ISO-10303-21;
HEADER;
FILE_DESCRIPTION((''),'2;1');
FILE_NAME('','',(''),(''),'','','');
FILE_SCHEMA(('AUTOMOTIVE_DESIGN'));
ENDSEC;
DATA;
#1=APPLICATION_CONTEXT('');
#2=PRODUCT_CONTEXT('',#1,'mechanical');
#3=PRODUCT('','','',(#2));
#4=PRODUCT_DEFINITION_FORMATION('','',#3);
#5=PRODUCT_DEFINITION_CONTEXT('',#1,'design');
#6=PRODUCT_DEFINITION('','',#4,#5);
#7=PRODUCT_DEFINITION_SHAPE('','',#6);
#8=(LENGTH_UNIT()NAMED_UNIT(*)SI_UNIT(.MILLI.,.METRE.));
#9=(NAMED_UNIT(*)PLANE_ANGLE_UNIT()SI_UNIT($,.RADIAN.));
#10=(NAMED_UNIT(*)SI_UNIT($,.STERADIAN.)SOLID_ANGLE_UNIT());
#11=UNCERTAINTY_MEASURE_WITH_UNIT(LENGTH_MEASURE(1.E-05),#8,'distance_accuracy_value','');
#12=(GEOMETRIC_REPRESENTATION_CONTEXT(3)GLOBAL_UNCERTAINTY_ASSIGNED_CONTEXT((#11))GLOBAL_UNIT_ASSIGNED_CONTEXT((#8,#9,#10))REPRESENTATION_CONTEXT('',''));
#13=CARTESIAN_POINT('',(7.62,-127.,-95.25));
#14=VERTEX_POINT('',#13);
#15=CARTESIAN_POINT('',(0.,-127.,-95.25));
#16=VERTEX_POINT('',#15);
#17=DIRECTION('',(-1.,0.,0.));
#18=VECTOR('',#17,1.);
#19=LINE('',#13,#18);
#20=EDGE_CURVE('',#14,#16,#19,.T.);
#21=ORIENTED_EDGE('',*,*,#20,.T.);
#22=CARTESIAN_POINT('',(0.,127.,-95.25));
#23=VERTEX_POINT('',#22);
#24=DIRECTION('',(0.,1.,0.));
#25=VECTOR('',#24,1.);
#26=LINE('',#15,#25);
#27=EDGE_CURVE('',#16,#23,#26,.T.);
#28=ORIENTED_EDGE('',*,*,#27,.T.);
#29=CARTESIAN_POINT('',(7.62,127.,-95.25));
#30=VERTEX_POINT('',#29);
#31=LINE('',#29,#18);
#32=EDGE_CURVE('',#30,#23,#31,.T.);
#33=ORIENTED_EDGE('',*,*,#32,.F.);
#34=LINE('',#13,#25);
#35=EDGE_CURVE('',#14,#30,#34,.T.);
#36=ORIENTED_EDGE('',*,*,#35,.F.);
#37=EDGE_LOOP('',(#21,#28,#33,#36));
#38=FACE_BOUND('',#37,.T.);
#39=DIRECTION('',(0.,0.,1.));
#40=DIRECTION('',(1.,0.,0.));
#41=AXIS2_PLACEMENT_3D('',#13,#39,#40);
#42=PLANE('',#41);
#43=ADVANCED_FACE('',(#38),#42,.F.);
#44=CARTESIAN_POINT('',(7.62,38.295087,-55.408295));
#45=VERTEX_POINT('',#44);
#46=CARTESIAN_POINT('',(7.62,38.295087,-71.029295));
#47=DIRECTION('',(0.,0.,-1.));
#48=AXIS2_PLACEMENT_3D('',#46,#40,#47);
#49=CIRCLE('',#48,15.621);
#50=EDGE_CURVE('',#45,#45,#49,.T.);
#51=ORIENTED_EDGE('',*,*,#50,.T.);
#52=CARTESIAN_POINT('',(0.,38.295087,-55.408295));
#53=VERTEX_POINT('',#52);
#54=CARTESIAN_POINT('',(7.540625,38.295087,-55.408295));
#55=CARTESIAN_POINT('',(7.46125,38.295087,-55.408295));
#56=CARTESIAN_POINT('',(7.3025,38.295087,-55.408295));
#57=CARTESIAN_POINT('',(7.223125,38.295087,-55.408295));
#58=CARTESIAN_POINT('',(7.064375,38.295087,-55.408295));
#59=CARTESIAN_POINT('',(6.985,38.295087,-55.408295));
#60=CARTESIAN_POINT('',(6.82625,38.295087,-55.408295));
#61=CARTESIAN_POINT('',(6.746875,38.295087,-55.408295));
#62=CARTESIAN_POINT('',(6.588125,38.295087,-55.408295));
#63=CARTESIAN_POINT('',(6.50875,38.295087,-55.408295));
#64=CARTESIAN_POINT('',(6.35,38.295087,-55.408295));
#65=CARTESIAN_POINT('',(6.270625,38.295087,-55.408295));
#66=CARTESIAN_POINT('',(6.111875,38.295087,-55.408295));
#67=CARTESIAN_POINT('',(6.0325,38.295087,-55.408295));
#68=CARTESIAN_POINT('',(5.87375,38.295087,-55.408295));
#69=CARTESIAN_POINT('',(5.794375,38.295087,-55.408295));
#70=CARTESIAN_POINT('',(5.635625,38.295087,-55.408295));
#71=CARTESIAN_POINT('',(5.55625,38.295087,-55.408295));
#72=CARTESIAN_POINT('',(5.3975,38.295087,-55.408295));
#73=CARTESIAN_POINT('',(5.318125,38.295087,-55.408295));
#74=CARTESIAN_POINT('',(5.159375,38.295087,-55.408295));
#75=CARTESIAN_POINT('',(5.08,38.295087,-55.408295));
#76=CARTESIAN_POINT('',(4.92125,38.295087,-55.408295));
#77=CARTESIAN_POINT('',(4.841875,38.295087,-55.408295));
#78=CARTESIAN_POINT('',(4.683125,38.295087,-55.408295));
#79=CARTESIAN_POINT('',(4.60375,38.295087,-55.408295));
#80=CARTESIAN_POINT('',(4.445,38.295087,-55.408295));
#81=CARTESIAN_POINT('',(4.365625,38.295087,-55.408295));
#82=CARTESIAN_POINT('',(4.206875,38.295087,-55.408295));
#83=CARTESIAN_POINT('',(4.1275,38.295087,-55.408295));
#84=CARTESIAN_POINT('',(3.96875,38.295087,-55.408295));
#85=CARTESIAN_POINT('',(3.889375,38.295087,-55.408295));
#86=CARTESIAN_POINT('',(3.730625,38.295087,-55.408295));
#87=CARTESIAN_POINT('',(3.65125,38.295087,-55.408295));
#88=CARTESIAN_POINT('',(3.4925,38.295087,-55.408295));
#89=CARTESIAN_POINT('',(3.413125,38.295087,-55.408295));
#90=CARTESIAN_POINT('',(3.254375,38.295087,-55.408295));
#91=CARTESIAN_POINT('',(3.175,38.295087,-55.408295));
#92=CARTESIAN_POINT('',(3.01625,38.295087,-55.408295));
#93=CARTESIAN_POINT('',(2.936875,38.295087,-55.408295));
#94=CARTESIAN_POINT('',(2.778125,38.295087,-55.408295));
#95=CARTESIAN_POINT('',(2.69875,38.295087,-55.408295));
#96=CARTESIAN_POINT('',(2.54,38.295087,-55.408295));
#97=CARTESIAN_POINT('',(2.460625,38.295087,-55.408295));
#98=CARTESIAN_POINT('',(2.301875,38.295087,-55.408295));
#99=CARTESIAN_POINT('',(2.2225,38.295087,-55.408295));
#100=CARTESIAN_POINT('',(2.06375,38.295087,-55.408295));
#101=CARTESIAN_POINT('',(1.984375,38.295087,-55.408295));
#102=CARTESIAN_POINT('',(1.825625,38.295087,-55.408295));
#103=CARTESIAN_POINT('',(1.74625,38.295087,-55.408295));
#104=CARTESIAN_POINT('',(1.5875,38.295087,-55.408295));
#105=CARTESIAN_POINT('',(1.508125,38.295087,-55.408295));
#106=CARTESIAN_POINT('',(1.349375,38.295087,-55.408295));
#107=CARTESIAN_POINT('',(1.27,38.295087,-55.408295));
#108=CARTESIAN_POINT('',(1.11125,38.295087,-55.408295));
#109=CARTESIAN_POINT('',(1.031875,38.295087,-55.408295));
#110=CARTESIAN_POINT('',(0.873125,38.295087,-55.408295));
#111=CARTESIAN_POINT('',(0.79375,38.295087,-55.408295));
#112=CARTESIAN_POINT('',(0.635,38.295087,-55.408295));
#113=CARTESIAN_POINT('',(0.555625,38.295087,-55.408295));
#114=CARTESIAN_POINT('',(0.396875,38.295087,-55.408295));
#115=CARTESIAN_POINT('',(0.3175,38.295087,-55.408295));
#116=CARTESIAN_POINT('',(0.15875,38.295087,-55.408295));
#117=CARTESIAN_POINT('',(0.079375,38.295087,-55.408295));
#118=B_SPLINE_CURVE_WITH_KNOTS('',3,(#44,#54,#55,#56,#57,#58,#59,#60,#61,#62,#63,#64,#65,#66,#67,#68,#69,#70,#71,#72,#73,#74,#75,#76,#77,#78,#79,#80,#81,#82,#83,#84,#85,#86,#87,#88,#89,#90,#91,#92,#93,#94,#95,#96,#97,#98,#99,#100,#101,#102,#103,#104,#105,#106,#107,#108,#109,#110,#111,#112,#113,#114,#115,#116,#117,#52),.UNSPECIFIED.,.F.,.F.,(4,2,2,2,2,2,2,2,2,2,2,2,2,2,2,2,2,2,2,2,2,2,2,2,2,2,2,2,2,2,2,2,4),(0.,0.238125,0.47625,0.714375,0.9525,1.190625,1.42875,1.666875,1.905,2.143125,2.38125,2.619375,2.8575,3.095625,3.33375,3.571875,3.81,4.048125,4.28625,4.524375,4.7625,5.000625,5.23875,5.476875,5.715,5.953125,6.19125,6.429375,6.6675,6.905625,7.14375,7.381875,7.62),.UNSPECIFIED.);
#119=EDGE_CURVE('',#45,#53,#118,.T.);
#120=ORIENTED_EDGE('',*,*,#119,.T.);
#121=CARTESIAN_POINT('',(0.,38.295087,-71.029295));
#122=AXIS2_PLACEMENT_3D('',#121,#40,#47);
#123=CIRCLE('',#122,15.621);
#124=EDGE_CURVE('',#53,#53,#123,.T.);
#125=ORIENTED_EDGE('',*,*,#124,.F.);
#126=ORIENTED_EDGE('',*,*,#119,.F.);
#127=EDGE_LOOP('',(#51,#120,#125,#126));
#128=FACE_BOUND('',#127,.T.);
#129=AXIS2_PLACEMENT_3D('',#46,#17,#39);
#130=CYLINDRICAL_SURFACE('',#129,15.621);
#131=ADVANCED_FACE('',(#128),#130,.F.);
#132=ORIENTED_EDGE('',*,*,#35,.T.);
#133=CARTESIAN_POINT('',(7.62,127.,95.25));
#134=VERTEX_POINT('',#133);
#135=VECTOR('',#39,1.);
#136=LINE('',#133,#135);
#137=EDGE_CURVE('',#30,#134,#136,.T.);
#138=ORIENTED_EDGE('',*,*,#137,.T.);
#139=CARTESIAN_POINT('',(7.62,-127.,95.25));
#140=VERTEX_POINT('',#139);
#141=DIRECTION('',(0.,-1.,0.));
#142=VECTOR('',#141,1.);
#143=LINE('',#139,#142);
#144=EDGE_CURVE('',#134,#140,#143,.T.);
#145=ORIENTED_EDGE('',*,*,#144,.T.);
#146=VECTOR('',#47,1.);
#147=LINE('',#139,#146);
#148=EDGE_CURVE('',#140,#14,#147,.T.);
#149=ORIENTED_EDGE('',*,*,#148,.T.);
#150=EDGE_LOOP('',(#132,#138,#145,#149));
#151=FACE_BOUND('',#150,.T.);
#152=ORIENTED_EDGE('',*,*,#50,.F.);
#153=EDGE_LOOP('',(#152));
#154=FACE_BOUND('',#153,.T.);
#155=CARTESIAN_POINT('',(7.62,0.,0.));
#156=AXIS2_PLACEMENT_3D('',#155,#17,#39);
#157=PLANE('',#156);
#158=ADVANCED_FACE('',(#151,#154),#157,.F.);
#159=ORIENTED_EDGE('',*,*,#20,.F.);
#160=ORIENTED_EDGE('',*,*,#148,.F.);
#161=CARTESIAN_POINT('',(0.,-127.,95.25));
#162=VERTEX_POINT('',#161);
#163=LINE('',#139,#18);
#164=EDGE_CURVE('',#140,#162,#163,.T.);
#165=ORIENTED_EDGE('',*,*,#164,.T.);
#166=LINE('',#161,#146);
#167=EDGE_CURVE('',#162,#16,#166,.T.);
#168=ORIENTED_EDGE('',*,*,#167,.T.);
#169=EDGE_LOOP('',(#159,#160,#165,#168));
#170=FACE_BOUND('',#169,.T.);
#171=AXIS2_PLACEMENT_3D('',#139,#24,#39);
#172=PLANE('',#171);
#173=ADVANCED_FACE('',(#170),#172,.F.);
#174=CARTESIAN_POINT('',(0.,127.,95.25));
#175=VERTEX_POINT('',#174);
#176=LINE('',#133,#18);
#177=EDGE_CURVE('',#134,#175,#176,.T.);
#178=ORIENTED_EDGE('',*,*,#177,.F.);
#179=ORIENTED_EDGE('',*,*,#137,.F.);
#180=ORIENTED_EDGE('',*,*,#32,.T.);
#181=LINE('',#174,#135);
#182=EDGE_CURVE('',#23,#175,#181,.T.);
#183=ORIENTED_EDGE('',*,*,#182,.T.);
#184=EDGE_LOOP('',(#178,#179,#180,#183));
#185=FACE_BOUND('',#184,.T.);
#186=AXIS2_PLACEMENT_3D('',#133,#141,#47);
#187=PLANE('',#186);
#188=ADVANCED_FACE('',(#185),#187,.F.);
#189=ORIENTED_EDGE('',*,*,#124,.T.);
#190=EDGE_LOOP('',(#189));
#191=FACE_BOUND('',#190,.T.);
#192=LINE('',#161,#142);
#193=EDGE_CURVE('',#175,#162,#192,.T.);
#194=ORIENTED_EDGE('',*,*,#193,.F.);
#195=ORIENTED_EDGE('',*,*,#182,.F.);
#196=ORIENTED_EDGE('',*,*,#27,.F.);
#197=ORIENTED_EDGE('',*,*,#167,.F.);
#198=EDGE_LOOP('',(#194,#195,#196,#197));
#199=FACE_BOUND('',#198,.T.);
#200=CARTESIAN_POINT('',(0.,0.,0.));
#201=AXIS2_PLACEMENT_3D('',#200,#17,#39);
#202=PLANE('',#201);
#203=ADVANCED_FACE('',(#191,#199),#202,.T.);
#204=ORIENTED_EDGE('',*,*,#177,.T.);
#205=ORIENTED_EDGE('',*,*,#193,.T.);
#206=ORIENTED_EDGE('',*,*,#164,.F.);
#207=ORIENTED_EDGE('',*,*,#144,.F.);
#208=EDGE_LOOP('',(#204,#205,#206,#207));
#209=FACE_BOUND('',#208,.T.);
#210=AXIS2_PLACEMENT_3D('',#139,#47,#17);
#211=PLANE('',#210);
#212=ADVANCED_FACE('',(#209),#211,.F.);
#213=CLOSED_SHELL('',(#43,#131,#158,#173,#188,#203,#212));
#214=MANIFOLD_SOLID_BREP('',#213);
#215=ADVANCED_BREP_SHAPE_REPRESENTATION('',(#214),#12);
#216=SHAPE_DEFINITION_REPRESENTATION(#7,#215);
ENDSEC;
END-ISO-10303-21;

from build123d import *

# Parameters (mm, degrees)
SKETCH1_W           = 190.5
SKETCH1_H           = 254
SKETCH1_R           = 15.621
BOSS_EXTRUDE1_DEPTH = 7.62


with BuildPart() as part:
    # Sketch1 → Boss-Extrude1 (new body)
    with BuildSketch(Plane(origin=(0, 0, 0), x_dir=(0, 0, -1), z_dir=(1, 0, 0))):
        Rectangle(SKETCH1_W, SKETCH1_H)
        with Locations(Location((71.029294729, 38.295087253, 0), (0, 0, 180))):
            Circle(SKETCH1_R, mode=Mode.SUBTRACT)
    extrude(amount=BOSS_EXTRUDE1_DEPTH)


solid = part.part
